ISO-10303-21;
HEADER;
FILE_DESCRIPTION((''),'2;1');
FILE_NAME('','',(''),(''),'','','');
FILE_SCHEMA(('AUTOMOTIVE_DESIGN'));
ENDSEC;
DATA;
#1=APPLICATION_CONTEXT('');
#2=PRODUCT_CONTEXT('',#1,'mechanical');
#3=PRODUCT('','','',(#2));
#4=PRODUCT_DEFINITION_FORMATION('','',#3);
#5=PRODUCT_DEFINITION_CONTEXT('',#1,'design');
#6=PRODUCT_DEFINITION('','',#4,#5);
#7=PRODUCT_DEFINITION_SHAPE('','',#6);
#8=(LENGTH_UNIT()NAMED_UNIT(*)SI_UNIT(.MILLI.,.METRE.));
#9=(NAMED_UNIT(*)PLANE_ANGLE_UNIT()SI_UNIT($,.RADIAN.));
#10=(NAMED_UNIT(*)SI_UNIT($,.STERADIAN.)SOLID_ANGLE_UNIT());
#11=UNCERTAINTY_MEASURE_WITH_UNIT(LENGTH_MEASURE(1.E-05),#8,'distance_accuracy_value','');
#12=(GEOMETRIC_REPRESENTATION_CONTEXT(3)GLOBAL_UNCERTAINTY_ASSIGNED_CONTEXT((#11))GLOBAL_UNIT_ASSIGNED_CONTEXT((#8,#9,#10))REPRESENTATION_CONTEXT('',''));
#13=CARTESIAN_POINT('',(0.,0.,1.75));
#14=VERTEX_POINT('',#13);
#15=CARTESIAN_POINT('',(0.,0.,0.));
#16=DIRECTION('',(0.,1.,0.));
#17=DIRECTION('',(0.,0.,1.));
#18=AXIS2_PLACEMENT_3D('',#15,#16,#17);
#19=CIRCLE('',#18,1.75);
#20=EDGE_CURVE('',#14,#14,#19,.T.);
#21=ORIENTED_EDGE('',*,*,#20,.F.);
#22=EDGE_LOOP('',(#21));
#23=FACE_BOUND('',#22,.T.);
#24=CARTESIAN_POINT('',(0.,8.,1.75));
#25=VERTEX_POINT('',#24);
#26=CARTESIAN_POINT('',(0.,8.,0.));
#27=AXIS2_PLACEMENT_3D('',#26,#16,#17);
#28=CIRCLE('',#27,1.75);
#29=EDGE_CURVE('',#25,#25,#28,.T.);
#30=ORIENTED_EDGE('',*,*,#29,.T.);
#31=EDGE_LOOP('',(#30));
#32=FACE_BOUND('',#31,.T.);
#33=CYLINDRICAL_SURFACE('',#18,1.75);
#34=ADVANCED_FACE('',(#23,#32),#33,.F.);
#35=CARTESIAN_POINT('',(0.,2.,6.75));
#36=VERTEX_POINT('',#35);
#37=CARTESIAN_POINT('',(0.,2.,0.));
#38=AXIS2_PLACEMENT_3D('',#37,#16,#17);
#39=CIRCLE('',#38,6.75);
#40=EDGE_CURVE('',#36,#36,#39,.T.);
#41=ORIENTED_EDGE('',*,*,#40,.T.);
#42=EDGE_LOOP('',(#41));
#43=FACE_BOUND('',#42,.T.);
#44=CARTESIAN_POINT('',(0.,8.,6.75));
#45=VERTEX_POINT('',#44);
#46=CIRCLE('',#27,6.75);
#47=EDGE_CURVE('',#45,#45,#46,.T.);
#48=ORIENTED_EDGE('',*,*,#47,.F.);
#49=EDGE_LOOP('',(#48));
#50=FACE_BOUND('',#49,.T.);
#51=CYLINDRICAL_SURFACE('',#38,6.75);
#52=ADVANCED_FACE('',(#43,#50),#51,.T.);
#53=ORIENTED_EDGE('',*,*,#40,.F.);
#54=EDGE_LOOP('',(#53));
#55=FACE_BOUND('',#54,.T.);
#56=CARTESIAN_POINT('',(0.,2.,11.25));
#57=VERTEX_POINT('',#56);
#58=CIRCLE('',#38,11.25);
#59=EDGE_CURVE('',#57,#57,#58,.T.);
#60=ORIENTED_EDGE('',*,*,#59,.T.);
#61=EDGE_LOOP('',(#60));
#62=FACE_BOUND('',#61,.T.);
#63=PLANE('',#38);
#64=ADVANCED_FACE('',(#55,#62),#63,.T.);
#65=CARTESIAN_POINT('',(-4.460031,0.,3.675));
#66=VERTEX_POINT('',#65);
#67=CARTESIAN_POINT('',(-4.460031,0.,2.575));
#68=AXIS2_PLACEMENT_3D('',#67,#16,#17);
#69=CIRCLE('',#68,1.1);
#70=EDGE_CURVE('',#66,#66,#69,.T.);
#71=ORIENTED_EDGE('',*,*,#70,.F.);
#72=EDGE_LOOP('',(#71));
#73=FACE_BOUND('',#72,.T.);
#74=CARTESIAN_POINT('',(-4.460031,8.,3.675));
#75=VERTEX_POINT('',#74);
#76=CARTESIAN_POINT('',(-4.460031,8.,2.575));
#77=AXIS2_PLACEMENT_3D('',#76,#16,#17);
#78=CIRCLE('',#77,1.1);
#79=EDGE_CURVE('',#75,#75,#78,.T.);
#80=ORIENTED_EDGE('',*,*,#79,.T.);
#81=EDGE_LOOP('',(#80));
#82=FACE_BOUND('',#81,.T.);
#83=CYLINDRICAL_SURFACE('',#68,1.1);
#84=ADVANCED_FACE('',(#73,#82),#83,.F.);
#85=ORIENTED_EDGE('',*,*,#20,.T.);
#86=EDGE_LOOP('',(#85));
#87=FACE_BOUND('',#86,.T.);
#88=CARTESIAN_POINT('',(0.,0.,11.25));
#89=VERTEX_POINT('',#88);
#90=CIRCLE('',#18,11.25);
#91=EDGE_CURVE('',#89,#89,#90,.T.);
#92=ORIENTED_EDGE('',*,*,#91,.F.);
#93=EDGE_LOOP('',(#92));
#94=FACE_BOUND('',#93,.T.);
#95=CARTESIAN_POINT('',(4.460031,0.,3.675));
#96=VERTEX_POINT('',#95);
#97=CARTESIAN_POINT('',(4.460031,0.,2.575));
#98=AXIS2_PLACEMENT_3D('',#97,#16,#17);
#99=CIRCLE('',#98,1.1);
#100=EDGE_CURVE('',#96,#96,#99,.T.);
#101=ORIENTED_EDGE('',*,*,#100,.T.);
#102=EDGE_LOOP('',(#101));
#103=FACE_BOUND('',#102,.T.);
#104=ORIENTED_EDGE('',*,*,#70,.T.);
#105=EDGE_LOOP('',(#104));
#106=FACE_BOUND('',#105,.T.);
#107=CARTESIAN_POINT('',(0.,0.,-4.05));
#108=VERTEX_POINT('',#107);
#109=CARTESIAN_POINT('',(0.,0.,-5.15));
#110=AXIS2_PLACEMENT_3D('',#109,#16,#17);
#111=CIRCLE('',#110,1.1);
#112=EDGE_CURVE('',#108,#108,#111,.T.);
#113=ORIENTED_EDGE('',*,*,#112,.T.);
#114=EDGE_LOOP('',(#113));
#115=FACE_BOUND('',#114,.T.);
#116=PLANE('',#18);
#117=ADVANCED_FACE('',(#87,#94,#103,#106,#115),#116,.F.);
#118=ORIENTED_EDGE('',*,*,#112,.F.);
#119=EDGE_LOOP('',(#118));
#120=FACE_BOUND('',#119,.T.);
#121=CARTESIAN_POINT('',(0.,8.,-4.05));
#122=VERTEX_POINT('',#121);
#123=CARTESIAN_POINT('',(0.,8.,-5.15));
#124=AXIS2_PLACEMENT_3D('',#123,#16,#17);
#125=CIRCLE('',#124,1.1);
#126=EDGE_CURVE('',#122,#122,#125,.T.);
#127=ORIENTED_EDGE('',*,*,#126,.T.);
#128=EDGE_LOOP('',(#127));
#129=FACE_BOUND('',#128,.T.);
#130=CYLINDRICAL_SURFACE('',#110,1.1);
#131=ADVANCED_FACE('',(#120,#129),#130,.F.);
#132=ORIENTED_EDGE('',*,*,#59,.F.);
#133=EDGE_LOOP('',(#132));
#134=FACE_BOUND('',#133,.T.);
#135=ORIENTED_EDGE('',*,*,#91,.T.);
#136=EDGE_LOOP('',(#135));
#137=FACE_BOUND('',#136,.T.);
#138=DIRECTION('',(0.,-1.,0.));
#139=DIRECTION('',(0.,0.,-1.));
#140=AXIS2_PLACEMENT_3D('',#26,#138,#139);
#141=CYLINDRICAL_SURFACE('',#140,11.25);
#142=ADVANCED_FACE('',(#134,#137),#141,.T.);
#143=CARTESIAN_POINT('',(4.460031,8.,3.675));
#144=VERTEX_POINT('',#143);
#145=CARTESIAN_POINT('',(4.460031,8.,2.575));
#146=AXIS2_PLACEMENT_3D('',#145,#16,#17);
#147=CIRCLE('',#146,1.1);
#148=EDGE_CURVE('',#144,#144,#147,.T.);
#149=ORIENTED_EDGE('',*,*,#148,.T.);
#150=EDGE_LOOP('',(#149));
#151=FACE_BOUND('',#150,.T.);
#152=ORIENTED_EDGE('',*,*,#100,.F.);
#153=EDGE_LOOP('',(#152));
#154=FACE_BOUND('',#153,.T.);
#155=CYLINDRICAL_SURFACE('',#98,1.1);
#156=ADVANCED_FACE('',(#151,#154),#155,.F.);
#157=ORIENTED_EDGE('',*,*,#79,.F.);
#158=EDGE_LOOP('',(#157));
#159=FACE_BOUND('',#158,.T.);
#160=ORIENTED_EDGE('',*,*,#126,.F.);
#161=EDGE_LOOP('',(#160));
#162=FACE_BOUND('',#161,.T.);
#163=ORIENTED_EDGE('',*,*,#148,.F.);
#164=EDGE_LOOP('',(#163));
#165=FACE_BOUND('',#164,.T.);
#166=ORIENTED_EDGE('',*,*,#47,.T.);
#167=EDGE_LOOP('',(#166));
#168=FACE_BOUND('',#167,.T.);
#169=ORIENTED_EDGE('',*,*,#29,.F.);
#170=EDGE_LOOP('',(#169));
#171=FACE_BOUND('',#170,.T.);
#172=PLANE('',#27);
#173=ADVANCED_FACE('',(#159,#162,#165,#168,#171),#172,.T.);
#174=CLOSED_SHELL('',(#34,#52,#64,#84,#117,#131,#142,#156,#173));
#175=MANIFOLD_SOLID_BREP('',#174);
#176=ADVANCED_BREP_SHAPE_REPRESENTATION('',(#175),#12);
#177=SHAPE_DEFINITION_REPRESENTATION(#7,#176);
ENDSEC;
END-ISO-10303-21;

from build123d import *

# Parameters (mm, degrees)
SKETCH_1_R          = 11.25
EXTRUDE_1_DEPTH     = 8
CUT_EXTRUDE_START   = -6
SKETCH_3_R          = 11.25
SKETCH_3_R_2        = 6.75
CUT_EXTRUDE_1_DEPTH = 6
SKETCH_4_R          = 1.75
SKETCH_4_R_2        = 1.1
CUT_EXTRUDE_2_DEPTH = 18.808003819


with BuildPart() as part:
    # 草图1 → 凸台-拉伸1 (new body)
    with BuildSketch(Plane(origin=(0, 0, 0), x_dir=(1, 0, 0), z_dir=(0, 1, 0))):
        with Locations(Location((0, 0, 0), (0, 0, 270))):
            Circle(SKETCH_1_R)
    extrude(amount=EXTRUDE_1_DEPTH)

    # 草图3 → 切除-拉伸1 (cut)
    with BuildSketch(Plane(origin=(0, 8, 0), x_dir=(1, 0, 0), z_dir=(0, 1, 0)).offset(CUT_EXTRUDE_START)):
        with Locations(Location((0, 0, 0), (0, 0, 270))):
            Circle(SKETCH_3_R)
        with Locations(Location((0, 0, 0), (0, 0, 270))):
            Circle(SKETCH_3_R_2, mode=Mode.SUBTRACT)
    extrude(amount=CUT_EXTRUDE_1_DEPTH, mode=Mode.SUBTRACT)

    # 草图4 → 切除-拉伸2 (cut, through all)
    with BuildSketch(Plane(origin=(0, 8, 0), x_dir=(1, 0, 0), z_dir=(0, 1, 0))):
        with Locations(Location((0, 0, 0), (0, 0, 270))):
            Circle(SKETCH_4_R)
        with Locations(Location((0, 5.15, 0), (0, 0, 270))):
            Circle(SKETCH_4_R_2)
        with Locations(Location((4.460030829, -2.575, 0), (0, 0, 270))):
            Circle(SKETCH_4_R_2)
        with Locations(Location((-4.460030829, -2.575, 0), (0, 0, 270))):
            Circle(SKETCH_4_R_2)
    extrude(amount=-CUT_EXTRUDE_2_DEPTH, mode=Mode.SUBTRACT)


solid = part.part
